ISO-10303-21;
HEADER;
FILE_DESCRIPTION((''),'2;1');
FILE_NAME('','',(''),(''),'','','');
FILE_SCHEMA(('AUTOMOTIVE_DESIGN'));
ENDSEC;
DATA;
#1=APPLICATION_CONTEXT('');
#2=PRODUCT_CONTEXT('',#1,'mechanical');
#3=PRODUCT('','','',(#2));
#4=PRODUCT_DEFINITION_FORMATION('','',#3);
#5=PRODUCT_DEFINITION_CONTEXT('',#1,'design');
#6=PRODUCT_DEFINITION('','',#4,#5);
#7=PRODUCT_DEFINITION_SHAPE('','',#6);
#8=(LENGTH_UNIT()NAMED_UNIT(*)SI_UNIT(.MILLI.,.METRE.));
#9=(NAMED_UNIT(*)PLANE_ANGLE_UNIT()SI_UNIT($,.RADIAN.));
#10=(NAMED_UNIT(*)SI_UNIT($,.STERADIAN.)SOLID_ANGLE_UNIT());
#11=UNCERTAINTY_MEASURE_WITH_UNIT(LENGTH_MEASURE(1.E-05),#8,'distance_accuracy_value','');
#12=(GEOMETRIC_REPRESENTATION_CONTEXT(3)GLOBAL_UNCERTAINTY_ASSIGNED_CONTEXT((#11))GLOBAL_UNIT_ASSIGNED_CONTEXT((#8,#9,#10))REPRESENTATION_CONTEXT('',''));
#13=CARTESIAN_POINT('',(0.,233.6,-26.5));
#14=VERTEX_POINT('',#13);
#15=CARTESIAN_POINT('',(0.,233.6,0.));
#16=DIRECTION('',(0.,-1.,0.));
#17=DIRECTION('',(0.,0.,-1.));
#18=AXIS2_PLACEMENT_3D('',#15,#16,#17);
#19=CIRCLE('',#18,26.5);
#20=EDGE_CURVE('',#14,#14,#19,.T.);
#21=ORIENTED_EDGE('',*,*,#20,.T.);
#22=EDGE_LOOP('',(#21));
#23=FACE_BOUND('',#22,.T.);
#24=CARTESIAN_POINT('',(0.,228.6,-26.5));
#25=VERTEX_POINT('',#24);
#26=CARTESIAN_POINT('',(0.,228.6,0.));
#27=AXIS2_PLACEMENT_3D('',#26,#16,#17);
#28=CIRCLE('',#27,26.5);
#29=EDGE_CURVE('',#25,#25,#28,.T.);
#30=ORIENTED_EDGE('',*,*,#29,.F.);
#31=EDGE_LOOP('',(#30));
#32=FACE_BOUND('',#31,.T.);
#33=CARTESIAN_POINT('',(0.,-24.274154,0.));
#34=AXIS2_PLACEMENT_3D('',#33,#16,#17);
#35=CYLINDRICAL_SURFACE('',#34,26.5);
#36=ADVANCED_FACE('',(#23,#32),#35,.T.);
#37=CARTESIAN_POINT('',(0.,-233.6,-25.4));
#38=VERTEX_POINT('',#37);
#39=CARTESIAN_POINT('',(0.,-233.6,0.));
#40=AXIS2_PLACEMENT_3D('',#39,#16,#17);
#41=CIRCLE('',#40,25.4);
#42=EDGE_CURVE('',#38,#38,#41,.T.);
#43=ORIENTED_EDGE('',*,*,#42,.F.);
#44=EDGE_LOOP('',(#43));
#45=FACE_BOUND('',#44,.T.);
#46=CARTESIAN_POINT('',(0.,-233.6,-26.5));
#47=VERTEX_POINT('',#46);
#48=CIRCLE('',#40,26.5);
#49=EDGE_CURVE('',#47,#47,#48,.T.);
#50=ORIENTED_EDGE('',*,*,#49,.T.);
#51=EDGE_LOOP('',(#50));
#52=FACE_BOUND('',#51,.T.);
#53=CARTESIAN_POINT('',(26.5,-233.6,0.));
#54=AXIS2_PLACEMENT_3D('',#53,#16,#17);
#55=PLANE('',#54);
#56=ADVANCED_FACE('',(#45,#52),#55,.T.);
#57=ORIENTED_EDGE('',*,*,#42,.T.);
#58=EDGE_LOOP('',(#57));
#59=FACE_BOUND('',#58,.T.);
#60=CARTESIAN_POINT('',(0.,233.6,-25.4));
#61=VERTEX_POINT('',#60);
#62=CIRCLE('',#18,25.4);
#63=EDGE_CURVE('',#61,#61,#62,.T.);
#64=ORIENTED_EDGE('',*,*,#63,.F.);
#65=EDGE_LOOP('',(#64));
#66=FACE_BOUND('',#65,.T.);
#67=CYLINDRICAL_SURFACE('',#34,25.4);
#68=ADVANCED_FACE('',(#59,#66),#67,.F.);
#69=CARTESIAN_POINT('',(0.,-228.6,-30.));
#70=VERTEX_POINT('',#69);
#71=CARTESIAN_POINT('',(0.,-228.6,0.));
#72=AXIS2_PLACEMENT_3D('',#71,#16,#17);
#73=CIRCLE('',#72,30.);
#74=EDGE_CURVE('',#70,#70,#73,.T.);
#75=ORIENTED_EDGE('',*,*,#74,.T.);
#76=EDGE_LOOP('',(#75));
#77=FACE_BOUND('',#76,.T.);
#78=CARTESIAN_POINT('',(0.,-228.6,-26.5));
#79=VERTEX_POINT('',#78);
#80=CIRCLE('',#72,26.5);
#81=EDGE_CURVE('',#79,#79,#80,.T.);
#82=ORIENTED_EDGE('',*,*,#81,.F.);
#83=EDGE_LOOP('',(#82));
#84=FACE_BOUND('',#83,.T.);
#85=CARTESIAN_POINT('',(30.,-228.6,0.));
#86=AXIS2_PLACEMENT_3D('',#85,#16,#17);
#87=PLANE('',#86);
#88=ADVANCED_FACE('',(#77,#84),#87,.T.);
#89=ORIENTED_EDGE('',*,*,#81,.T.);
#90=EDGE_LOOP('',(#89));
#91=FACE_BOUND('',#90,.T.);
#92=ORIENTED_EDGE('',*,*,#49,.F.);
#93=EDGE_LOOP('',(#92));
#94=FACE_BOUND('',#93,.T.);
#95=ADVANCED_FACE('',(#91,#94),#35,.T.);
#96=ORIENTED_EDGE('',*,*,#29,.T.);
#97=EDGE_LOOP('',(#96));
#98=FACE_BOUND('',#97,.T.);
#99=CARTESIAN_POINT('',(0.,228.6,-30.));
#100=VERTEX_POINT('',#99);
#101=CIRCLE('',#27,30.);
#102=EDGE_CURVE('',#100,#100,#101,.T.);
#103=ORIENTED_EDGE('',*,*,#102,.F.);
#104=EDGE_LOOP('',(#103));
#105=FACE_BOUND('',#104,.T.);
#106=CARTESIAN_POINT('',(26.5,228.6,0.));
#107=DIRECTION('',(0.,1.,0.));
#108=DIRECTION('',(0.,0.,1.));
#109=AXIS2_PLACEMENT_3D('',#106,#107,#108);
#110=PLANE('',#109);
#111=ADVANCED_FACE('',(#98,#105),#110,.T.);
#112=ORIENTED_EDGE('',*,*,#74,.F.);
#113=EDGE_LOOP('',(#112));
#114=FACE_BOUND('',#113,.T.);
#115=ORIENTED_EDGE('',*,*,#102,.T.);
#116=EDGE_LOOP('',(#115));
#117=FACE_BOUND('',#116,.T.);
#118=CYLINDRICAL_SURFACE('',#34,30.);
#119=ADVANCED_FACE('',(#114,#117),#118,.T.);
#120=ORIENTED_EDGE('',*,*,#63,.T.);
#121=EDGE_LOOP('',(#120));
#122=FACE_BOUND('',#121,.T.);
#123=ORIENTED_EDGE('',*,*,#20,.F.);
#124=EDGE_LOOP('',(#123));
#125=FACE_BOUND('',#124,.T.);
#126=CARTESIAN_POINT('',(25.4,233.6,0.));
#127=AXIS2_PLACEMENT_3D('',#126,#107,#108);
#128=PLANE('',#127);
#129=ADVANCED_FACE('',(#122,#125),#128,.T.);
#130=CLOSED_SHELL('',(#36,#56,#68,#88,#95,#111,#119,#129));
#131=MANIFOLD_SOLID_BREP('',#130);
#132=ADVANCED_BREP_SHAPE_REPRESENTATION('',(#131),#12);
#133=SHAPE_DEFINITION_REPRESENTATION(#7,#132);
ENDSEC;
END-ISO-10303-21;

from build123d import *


with BuildPart() as part:
    # Sketch1 → Revolve1 (revolve)
    with BuildSketch(Plane.XY, mode=Mode.PRIVATE) as revolve1_sk:
        Polygon((25.4, -233.6), (25.4, 233.6), (26.5, 233.6), (26.5, 228.6), (30, 228.6), (30, -228.6), (26.5, -228.6), (26.5, -233.6), align=None)
    revolve(revolve1_sk.sketch.rotate(Axis((0, -24.274153908, 0), (0, 1, 0)), 90), axis=Axis((0, -24.274153908, 0), (0, 1, 0)))


solid = part.part
